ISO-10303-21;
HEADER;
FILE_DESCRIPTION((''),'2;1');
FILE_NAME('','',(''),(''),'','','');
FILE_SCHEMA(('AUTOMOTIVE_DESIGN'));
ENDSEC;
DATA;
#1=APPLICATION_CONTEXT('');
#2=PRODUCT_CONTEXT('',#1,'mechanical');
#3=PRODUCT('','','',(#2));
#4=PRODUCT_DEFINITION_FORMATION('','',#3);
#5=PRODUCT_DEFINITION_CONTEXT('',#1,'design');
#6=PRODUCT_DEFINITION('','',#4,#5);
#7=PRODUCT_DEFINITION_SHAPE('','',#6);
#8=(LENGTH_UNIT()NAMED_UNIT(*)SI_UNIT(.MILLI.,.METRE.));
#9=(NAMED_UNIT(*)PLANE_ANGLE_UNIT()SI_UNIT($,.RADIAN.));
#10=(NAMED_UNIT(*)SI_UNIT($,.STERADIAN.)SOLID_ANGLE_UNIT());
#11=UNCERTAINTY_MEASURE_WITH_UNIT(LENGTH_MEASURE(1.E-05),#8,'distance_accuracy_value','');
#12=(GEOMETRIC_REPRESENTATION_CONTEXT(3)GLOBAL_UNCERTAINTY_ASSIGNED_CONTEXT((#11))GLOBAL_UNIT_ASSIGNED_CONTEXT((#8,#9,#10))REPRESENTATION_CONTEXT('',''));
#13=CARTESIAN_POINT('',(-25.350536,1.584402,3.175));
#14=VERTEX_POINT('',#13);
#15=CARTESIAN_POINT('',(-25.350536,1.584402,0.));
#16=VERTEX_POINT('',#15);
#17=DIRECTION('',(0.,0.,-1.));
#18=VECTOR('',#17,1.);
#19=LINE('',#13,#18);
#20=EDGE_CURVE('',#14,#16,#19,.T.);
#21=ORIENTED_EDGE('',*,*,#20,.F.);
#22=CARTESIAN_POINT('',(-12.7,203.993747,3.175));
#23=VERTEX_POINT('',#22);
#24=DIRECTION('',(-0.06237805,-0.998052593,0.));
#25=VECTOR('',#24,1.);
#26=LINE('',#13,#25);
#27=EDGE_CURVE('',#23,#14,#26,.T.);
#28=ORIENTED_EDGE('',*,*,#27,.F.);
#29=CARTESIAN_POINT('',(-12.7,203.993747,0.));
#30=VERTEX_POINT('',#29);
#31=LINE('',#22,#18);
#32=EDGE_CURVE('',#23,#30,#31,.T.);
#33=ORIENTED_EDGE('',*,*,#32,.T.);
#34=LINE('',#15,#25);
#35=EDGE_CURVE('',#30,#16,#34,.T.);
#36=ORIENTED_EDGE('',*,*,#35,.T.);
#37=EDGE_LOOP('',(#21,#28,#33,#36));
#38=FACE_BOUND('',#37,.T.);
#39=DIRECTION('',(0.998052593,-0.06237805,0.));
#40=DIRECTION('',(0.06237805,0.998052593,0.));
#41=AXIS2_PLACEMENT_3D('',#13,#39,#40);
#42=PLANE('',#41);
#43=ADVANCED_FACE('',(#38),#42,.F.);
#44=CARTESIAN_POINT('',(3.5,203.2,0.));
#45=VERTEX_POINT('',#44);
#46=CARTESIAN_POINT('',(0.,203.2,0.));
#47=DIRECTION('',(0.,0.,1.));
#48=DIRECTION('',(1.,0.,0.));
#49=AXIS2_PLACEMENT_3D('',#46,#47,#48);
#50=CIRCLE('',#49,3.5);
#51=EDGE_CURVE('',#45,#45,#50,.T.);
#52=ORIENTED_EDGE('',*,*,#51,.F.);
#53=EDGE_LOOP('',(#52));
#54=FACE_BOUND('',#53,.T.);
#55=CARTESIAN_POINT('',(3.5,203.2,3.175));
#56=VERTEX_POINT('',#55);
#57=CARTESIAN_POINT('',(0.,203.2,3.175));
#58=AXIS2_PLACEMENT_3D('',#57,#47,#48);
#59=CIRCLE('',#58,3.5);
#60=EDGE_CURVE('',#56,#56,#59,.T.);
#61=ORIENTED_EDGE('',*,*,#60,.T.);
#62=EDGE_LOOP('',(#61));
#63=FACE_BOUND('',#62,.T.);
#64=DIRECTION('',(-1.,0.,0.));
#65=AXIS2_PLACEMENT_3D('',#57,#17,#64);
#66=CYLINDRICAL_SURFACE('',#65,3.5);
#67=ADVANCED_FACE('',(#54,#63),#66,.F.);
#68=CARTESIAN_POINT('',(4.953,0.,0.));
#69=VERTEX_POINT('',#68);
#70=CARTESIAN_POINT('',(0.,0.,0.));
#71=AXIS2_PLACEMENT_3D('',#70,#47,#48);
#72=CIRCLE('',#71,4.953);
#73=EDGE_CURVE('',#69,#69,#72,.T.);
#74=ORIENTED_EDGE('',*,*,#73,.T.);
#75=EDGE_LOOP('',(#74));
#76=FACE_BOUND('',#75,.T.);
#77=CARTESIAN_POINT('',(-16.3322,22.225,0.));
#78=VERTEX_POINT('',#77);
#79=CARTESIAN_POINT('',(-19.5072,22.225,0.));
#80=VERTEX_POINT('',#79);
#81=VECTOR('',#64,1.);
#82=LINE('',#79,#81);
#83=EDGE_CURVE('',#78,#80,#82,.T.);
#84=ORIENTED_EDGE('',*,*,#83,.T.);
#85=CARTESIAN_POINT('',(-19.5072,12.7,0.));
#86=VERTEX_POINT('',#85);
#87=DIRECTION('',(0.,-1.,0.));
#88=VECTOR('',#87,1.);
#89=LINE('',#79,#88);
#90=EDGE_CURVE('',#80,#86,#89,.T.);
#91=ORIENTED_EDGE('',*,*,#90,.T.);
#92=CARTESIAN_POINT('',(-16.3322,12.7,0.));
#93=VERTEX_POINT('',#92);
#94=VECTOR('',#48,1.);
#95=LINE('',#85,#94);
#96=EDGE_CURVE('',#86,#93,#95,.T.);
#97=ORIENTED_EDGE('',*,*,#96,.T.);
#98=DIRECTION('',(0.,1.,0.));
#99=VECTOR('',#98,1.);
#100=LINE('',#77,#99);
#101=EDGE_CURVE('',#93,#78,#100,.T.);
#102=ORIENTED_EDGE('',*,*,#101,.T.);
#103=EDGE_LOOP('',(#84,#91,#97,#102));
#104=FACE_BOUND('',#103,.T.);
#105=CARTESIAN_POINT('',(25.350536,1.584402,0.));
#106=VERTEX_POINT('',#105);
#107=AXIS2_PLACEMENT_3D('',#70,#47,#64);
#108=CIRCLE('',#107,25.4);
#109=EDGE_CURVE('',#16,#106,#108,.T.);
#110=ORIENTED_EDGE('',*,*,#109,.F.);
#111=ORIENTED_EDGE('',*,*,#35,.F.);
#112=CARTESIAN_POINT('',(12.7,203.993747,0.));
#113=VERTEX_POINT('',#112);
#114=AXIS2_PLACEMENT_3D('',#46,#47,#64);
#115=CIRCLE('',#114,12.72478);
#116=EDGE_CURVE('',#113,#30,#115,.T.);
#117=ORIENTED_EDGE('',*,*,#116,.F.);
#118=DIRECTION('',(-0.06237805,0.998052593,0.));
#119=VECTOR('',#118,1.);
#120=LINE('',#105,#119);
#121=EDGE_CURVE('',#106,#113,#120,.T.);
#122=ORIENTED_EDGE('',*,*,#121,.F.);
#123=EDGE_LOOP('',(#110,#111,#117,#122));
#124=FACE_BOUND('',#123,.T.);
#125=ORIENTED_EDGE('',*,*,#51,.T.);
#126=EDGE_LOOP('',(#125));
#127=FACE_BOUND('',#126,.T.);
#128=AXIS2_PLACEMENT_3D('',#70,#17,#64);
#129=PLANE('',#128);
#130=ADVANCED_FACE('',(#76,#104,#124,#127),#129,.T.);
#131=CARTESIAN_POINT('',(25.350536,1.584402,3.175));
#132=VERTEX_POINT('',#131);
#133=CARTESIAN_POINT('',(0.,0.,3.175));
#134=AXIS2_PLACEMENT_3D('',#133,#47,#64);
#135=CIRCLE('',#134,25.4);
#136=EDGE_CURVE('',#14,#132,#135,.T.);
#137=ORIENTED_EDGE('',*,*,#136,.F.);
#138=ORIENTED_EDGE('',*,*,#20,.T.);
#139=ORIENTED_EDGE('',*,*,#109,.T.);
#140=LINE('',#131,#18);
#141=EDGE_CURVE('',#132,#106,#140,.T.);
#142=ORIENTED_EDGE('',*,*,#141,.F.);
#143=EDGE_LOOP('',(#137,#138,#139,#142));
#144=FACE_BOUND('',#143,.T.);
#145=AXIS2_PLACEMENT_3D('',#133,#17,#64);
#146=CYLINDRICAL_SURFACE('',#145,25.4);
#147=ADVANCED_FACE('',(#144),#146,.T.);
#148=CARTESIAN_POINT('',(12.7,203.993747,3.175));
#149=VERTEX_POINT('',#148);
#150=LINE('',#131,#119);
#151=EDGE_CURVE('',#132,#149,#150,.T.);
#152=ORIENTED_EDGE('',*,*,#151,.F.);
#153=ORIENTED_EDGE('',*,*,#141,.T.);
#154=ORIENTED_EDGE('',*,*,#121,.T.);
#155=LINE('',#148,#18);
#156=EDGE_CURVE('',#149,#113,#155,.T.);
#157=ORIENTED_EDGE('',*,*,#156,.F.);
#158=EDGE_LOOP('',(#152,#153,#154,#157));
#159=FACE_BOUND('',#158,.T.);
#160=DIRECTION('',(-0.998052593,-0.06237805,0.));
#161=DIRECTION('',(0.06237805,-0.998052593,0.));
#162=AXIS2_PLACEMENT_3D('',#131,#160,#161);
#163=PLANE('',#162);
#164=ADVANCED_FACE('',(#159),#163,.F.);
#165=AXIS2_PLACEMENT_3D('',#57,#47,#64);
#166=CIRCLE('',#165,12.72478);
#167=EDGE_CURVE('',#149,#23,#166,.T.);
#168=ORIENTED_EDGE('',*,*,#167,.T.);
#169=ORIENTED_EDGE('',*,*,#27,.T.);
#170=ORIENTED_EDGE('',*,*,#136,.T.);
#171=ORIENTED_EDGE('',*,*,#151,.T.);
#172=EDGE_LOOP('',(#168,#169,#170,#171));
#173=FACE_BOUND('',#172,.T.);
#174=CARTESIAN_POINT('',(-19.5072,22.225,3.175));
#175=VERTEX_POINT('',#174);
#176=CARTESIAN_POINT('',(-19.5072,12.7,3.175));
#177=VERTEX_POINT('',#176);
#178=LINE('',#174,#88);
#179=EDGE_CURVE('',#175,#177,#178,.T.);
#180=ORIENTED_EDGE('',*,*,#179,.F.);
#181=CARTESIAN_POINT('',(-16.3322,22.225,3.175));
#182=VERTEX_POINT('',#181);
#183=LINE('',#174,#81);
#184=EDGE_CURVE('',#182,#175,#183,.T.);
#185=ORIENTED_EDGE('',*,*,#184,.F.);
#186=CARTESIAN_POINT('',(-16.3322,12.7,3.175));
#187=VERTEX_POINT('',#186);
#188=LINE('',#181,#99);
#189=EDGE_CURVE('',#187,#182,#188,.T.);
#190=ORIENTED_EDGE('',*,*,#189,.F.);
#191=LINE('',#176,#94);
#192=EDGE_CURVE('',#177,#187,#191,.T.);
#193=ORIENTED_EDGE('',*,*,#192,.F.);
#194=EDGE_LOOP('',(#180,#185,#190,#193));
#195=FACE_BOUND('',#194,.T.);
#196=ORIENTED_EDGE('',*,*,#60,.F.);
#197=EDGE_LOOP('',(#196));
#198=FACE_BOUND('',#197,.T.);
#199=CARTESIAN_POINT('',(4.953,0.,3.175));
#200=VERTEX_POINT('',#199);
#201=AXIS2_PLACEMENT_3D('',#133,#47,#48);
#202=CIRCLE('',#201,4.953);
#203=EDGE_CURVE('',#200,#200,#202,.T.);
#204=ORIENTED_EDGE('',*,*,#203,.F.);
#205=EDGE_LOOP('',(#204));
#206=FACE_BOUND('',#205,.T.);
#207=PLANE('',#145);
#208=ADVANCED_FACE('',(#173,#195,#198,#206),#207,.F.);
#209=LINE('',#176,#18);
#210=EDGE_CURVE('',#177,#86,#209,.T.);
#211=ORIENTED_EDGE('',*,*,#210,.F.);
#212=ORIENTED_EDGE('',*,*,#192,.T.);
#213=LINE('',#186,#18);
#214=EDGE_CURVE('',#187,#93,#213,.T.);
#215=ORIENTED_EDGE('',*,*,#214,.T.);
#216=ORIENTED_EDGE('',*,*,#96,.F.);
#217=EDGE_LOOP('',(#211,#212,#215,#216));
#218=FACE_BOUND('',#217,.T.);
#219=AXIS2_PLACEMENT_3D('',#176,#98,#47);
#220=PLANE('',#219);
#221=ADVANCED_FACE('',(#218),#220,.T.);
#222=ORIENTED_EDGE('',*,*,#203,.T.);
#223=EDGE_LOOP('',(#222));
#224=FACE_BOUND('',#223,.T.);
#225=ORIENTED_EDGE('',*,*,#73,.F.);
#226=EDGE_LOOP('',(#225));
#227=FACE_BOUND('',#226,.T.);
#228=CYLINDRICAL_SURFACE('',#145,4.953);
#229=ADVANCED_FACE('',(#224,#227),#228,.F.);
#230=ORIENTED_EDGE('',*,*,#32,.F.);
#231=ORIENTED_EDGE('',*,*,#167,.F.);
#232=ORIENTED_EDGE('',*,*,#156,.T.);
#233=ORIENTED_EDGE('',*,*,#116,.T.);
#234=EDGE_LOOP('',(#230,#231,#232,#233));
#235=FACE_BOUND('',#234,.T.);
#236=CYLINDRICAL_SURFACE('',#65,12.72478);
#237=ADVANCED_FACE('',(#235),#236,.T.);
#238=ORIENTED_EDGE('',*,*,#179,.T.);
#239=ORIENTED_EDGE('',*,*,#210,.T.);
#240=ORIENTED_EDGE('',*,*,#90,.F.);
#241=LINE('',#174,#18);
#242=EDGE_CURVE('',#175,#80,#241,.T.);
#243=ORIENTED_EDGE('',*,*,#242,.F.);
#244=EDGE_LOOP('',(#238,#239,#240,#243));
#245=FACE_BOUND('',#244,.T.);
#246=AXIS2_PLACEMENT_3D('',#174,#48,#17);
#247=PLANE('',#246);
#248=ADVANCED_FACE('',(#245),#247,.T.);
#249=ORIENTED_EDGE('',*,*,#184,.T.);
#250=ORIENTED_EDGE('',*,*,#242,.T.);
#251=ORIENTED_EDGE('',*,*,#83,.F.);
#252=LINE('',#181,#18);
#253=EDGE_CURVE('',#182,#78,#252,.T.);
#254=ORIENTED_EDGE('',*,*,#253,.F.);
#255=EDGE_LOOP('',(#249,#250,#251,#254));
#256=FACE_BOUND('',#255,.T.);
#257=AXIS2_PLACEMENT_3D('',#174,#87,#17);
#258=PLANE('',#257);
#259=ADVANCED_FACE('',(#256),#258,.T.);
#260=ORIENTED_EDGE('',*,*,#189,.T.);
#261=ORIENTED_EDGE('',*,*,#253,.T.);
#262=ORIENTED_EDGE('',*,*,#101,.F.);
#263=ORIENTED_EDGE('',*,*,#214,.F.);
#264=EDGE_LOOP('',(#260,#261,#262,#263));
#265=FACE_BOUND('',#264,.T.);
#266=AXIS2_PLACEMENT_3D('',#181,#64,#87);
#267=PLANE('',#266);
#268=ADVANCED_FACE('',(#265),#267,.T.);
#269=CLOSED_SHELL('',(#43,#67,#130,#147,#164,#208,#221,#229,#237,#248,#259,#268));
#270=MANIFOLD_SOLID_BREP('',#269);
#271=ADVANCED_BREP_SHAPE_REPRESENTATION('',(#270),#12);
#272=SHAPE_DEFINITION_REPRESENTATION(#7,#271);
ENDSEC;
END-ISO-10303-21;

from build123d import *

# Parameters (mm, degrees)
SKETCH1_R           = 4.953
SKETCH1_R_2         = 3.5
SKETCH1_W           = 3.175
SKETCH1_H           = 9.525
BOSS_EXTRUDE1_DEPTH = 3.175


with BuildPart() as part:
    # Sketch1 → Boss-Extrude1 (new body)
    with BuildSketch(Plane.XY):
        with BuildLine():
            Line((-25.350535869, 1.58440246), (-12.7, 203.993746978))
            ThreePointArc((-12.7, 203.993746978), (0, 215.924780323), (12.7, 203.993746978))
            Line((12.7, 203.993746978), (25.350535869, 1.58440246))
            ThreePointArc((25.350535869, 1.58440246), (0, -25.4), (-25.350535869, 1.58440246))
        make_face()
        Circle(SKETCH1_R, mode=Mode.SUBTRACT)
        with Locations((0, 203.2)):
            Circle(SKETCH1_R_2, mode=Mode.SUBTRACT)
        with Locations((-17.9197, 17.4625)):
            Rectangle(SKETCH1_W, SKETCH1_H, mode=Mode.SUBTRACT)
    extrude(amount=BOSS_EXTRUDE1_DEPTH)


solid = part.part
